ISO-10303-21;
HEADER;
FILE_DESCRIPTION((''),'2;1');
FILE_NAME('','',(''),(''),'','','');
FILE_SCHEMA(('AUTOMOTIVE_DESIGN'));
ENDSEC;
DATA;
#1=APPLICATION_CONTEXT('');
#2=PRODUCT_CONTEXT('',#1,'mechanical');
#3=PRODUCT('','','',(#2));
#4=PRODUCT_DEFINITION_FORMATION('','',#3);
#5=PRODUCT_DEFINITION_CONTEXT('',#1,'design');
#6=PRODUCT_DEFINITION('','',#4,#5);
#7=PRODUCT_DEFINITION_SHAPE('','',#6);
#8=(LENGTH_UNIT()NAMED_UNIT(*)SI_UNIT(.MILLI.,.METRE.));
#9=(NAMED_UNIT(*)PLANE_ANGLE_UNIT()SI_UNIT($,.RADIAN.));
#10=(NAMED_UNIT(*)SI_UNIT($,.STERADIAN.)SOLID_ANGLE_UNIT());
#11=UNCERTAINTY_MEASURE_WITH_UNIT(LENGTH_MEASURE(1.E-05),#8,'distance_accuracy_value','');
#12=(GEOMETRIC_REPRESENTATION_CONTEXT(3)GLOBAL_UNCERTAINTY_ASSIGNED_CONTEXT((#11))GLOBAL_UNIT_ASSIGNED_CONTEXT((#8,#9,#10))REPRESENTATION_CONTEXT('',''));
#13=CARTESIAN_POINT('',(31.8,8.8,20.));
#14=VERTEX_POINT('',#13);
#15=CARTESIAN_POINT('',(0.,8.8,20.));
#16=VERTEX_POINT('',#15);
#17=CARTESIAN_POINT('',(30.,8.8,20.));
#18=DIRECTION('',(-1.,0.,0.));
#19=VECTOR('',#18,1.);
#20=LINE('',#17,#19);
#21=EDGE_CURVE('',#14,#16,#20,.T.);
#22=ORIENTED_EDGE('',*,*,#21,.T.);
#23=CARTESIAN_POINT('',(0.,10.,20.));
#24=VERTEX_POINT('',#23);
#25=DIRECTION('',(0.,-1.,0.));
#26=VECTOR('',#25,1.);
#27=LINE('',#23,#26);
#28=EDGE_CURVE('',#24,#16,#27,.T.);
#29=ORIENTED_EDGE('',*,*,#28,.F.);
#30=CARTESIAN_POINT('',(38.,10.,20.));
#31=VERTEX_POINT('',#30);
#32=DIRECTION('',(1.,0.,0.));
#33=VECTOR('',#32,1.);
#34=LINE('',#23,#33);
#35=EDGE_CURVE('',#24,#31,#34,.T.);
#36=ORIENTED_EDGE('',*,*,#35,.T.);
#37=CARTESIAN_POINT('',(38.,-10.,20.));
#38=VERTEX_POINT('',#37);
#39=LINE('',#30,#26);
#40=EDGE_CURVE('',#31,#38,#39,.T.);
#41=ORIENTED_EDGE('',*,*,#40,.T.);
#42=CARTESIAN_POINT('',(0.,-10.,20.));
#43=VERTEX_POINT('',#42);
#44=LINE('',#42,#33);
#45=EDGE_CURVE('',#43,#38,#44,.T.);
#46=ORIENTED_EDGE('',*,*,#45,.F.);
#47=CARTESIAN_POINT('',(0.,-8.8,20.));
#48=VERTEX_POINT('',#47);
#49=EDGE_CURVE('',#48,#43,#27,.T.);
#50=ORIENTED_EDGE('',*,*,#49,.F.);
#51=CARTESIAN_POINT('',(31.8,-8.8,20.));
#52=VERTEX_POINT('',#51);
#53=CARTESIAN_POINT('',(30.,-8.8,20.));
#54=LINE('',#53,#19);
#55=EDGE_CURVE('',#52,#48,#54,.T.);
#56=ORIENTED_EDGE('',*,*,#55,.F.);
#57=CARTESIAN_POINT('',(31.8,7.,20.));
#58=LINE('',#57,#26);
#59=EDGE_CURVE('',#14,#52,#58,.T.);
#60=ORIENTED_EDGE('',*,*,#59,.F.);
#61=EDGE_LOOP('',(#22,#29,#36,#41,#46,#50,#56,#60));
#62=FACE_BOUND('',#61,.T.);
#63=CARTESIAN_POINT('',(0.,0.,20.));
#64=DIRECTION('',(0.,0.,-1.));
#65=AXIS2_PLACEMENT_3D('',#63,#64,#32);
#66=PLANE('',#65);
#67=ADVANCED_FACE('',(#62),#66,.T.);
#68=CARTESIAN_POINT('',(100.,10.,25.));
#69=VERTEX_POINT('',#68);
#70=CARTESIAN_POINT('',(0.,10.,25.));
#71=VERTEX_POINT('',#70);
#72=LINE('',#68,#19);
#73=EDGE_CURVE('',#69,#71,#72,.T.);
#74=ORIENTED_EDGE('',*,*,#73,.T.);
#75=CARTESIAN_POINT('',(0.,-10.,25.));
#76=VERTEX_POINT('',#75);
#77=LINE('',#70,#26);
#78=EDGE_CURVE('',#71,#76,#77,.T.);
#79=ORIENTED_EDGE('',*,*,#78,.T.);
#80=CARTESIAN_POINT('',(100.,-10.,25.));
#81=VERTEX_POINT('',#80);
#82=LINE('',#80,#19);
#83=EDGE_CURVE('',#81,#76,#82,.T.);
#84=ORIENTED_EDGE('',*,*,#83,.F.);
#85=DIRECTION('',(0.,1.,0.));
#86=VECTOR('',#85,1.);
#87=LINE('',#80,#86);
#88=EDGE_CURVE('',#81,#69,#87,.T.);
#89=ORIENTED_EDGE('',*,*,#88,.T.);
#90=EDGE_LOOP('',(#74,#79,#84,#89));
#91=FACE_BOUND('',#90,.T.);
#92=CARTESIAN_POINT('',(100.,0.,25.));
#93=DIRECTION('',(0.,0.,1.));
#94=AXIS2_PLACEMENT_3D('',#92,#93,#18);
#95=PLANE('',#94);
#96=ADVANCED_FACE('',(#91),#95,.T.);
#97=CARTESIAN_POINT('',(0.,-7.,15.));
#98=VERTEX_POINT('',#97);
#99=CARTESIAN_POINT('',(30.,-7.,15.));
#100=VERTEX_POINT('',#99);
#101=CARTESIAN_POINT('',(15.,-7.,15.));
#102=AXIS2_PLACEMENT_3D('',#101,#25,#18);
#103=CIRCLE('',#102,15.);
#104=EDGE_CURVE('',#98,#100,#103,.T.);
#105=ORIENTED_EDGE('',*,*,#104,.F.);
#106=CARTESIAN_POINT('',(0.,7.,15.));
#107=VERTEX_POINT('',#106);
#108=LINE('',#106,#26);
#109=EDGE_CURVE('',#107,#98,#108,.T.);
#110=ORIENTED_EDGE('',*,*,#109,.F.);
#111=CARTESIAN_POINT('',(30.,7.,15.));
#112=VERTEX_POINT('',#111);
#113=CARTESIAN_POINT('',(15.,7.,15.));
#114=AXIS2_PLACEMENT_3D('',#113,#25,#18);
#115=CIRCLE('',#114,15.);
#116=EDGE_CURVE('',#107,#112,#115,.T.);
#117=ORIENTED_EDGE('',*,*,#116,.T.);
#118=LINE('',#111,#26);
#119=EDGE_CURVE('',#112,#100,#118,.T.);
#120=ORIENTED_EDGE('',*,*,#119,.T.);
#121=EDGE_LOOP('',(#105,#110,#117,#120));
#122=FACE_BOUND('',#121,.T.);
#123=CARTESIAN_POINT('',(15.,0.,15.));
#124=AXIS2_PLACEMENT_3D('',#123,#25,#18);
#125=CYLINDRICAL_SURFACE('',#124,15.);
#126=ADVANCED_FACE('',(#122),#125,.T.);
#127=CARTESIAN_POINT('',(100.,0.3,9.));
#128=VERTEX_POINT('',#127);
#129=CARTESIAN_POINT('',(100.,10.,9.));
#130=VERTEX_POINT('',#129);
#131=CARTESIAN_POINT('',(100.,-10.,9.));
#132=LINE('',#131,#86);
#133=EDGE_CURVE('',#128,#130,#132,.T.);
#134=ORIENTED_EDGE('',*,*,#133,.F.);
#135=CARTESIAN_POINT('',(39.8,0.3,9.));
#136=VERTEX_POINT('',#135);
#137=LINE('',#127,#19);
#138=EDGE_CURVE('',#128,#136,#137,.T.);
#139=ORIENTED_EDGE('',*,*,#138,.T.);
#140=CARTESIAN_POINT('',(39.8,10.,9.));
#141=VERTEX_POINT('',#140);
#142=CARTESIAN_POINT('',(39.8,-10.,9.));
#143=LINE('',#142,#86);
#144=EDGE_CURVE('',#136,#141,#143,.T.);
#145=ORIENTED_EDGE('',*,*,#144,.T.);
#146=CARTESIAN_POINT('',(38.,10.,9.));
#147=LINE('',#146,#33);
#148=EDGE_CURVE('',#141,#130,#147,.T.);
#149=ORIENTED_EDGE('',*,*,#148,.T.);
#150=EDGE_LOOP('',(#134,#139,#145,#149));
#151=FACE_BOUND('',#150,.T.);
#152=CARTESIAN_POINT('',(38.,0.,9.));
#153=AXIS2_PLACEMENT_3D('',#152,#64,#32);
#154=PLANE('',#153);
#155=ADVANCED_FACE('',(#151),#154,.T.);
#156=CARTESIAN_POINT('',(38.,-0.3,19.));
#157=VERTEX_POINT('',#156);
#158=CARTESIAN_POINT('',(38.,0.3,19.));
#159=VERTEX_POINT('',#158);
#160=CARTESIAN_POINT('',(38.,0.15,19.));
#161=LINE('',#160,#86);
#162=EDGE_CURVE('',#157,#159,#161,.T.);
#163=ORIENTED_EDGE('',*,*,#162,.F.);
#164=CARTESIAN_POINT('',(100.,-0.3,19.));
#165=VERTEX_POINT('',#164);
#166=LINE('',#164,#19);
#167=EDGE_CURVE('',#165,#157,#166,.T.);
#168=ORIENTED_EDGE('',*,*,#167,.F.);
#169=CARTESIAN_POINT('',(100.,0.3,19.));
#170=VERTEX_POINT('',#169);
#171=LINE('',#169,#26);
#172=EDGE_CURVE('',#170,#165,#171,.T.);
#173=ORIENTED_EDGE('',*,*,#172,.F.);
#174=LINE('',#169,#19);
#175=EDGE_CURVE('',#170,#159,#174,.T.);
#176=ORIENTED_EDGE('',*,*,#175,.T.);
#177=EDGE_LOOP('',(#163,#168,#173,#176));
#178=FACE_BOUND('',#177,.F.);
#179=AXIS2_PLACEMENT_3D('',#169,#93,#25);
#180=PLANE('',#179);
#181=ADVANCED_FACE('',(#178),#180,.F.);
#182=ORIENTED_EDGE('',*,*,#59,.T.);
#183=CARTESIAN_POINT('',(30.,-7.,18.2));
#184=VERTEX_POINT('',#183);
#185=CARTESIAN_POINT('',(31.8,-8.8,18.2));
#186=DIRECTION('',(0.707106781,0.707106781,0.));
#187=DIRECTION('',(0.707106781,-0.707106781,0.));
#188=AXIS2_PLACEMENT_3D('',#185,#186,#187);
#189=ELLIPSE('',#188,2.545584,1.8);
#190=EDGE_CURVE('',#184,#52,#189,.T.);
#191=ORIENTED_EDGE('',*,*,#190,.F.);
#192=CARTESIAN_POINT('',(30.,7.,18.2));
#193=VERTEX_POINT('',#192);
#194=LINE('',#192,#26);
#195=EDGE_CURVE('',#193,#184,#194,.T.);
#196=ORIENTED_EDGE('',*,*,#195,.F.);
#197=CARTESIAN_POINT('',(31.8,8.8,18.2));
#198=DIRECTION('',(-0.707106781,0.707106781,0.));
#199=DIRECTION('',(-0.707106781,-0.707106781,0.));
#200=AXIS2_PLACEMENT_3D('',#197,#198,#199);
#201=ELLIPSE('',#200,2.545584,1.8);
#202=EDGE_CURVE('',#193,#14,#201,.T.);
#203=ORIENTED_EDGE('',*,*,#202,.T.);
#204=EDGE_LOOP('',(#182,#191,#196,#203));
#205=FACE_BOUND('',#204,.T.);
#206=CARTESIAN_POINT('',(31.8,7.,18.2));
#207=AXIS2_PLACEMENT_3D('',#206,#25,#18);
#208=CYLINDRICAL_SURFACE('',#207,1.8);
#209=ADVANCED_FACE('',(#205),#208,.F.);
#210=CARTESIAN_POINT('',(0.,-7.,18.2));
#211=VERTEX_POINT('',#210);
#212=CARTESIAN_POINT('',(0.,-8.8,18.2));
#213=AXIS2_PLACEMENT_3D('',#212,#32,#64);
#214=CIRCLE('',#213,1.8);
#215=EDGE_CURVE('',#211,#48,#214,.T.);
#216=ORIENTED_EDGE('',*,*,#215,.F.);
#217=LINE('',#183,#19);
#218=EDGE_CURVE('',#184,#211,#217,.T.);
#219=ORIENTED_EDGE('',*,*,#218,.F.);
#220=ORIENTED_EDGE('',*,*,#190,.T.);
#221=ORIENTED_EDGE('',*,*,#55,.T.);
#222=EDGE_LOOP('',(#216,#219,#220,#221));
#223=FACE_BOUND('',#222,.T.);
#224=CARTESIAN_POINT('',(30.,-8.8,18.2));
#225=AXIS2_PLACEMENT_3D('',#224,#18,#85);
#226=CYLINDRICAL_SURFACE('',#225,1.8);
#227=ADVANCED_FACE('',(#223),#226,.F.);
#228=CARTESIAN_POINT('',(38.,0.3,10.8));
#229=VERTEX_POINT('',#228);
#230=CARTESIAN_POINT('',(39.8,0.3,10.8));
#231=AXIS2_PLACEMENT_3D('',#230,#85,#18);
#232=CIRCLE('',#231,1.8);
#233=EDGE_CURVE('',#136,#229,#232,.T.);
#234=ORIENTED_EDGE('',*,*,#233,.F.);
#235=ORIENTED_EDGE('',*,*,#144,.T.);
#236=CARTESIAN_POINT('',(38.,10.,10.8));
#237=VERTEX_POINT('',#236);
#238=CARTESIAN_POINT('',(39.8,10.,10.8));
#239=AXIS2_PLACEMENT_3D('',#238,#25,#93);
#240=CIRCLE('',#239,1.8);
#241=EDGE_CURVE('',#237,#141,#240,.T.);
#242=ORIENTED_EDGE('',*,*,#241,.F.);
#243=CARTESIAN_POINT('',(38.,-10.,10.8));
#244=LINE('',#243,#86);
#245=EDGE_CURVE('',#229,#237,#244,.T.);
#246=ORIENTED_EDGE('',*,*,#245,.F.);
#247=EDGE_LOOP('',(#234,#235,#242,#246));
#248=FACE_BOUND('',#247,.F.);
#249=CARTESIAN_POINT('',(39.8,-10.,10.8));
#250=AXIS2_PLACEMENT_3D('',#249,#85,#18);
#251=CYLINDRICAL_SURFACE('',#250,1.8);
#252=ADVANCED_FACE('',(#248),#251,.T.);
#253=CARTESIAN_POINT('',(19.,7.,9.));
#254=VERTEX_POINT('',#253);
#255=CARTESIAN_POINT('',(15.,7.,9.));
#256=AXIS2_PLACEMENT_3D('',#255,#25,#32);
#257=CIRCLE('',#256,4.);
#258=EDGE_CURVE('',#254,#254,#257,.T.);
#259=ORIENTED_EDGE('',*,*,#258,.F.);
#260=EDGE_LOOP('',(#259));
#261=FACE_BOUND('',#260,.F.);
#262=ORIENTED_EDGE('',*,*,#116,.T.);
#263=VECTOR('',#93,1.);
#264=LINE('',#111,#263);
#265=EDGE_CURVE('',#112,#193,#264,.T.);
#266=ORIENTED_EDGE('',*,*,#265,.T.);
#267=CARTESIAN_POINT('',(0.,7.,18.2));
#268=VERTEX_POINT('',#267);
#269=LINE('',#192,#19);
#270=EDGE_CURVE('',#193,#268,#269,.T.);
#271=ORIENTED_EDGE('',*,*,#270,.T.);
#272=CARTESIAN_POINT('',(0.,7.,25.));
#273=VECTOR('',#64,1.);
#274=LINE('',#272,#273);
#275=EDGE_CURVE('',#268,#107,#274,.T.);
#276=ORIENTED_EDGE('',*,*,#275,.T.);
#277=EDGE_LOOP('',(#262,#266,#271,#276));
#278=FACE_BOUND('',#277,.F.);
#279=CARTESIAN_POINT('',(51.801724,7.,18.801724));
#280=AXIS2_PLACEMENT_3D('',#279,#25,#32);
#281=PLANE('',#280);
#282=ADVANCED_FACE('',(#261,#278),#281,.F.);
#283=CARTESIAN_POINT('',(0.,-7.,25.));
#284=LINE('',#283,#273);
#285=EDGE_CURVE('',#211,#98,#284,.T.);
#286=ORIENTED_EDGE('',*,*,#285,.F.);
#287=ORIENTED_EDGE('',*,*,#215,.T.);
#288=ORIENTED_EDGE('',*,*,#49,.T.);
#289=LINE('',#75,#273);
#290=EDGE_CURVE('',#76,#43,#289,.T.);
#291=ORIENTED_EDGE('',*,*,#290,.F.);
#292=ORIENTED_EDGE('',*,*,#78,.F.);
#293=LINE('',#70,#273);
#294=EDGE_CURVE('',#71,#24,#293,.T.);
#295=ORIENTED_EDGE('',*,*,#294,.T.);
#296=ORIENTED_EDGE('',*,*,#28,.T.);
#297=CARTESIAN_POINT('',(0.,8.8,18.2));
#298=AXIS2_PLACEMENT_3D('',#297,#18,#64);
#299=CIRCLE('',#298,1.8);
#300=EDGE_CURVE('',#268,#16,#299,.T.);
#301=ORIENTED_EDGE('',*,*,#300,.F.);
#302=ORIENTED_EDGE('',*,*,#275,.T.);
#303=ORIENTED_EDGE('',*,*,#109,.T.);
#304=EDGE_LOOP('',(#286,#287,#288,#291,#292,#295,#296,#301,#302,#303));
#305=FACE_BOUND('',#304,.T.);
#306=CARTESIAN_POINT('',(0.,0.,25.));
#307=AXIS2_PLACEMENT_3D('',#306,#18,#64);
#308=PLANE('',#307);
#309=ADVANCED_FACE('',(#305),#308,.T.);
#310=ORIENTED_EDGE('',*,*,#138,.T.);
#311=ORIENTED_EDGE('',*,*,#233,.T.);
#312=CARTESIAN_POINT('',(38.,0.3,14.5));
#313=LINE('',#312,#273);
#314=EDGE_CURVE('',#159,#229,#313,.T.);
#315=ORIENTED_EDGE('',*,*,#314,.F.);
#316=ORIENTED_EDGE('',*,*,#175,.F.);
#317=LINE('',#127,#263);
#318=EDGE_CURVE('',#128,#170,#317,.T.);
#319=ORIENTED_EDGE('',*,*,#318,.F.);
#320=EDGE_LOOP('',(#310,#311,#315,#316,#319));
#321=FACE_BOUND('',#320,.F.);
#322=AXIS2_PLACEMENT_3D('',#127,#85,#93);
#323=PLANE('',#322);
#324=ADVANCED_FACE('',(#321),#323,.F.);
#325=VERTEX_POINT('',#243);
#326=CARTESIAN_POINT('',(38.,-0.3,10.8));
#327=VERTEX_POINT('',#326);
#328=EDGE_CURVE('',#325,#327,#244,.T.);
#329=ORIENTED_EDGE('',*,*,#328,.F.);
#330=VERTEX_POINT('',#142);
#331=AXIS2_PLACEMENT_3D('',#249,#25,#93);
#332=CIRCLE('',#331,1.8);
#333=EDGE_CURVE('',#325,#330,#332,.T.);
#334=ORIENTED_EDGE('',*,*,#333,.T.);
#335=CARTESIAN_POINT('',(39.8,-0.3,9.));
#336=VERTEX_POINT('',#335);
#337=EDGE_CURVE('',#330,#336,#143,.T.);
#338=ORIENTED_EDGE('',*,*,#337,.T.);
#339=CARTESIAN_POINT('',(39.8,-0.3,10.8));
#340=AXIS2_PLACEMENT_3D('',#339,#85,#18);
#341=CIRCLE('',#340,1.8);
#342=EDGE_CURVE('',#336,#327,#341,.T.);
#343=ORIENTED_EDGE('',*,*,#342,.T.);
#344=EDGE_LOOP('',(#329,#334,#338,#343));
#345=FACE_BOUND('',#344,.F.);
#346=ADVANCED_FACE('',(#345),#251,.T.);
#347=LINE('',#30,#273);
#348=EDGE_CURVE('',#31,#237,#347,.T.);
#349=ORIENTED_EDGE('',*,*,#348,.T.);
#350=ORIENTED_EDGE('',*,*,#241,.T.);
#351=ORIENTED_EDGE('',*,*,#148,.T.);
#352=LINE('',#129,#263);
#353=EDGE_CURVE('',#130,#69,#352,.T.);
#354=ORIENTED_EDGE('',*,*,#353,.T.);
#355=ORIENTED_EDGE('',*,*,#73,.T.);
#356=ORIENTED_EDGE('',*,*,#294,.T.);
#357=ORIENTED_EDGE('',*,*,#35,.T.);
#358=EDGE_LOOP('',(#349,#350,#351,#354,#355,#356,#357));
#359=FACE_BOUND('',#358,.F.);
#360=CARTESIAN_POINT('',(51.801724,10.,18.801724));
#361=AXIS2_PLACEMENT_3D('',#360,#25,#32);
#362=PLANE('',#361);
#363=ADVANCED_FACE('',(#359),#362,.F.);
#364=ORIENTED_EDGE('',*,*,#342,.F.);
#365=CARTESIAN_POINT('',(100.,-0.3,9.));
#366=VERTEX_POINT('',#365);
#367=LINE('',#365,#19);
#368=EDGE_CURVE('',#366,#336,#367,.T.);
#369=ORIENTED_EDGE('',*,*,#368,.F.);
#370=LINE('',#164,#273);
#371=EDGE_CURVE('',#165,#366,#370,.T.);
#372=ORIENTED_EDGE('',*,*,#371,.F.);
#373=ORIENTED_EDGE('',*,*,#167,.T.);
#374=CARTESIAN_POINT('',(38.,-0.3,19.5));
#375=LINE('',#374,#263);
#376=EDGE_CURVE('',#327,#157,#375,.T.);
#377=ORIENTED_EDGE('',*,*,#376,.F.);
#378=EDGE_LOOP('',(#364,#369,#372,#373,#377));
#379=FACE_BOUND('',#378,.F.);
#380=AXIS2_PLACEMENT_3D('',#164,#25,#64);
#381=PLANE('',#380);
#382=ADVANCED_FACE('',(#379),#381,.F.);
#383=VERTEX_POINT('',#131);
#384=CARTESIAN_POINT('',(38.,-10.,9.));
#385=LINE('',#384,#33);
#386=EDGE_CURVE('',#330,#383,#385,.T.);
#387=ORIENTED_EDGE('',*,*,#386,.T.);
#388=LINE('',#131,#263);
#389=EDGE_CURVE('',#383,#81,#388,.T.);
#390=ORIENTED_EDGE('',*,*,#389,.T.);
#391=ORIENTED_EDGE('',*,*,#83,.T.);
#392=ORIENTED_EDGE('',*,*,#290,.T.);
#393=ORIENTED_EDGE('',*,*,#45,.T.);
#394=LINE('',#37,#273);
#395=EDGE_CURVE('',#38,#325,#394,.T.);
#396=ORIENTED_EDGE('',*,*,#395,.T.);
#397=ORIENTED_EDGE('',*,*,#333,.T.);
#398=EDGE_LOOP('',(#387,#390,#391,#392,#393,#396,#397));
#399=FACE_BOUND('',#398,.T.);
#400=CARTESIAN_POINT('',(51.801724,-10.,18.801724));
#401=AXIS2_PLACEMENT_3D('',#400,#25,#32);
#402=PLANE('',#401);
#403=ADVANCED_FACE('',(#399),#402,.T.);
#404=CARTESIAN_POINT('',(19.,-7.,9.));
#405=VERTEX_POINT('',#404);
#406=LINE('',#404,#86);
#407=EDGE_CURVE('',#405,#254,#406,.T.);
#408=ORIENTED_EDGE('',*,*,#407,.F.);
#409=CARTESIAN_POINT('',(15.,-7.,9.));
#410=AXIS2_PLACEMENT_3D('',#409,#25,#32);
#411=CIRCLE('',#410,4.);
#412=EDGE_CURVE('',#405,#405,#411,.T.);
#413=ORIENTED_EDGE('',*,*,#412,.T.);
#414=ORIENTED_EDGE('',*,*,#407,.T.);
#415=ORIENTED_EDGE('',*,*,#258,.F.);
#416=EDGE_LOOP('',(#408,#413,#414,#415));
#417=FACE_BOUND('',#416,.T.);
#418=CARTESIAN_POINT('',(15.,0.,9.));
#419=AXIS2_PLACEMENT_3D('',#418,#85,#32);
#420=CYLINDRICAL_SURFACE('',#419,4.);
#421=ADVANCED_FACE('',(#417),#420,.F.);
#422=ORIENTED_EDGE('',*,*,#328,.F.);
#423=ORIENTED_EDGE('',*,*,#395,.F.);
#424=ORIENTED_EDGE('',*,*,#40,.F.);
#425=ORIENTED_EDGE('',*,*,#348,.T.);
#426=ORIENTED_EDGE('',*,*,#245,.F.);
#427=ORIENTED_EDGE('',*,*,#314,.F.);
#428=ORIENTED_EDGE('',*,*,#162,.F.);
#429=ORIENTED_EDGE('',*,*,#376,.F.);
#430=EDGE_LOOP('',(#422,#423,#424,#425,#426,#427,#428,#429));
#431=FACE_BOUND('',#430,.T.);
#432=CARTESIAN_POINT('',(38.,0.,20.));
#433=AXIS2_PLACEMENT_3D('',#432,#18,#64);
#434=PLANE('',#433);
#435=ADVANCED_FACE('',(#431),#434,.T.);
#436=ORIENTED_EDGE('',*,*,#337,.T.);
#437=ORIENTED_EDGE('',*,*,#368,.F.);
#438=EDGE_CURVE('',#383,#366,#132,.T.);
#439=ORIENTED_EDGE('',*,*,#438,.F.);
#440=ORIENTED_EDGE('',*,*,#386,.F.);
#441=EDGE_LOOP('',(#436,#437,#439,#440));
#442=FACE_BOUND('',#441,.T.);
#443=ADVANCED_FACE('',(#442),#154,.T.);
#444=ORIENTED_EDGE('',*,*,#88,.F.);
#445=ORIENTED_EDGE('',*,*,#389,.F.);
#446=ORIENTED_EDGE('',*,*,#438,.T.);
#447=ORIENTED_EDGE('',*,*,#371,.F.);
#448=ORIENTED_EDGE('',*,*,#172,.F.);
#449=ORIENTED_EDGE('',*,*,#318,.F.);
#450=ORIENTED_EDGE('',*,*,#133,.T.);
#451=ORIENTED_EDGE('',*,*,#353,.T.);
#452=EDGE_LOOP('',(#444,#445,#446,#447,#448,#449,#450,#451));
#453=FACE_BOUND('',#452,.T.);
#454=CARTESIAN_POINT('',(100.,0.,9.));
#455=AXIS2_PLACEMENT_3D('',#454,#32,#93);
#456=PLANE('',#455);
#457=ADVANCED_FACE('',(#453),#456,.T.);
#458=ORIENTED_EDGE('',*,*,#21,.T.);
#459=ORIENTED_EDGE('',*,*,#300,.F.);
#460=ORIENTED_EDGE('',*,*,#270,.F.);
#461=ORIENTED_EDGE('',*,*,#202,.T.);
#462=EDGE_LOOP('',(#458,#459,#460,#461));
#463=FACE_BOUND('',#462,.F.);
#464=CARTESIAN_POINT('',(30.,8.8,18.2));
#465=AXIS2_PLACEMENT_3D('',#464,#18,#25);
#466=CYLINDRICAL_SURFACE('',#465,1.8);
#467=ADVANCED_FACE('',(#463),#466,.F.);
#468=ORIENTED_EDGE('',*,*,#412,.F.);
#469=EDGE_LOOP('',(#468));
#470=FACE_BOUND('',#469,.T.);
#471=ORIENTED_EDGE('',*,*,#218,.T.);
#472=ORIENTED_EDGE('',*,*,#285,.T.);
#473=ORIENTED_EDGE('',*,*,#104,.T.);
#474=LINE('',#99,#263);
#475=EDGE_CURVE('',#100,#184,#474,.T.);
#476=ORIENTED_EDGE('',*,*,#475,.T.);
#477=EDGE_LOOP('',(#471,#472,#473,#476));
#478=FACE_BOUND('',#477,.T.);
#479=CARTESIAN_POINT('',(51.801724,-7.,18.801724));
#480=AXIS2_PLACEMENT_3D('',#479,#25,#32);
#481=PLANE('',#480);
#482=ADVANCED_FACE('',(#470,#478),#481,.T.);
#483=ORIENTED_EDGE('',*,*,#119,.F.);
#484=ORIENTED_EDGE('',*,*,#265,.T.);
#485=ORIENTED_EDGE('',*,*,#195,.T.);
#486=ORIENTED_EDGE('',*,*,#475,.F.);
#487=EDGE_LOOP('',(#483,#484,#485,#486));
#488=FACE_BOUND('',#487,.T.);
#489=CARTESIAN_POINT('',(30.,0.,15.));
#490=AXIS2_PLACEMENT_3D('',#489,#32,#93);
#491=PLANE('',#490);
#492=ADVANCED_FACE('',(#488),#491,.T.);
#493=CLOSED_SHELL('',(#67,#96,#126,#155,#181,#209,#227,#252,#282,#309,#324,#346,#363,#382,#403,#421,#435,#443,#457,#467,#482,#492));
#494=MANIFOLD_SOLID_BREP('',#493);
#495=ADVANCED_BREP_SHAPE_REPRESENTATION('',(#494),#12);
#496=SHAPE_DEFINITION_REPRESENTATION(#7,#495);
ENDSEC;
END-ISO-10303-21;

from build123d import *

# Parameters (mm, degrees)
F1_DEPTH = 10
F0_R     = 4
F2_DEPTH = 7
F3_R     = 1.8
F6_DEPTH = 65


with BuildPart() as f1:
    # F0 (on Front) → F1 (new body, symmetric)
    with BuildSketch(Plane.XZ):
        Polygon((100, 25), (0, 25), (0, 20), (30, 20), (38, 20), (38, 9), (100, 9), align=None)
    extrude(amount=F1_DEPTH, both=True)

    # F0 (on Front) → F2 (join, symmetric)
    with BuildSketch(Plane.XZ):
        Polygon((100, 25), (0, 25), (0, 20), (30, 20), (38, 20), (38, 9), (100, 9), align=None)
        with BuildLine():
            Line((30, 20), (0, 20))
            Line((0, 20), (0, 15))
            ThreePointArc((0, 15), (15, 0), (30, 15))
            Line((30, 15), (30, 20))
        make_face()
        with Locations((15, 9)):
            Circle(F0_R, mode=Mode.SUBTRACT)
    extrude(amount=F2_DEPTH, both=True)

    # F3
    f3_edges = [f1.edges().sort_by_distance(p)[0] for p in [
        (30, 0, 20),
        (15, -7, 20),
        (15, 7, 20),
        (38, 0, 9),
    ]]
    fillet(f3_edges, radius=F3_R)

    # F5 (on offset) → F6 (cut)
    with BuildSketch(Plane.YZ.offset(100)):
        Polygon((-0.3, 9), (0, 9), (0.3, 9), (0.3, 19), (-0.3, 19), align=None)
    extrude(amount=-F6_DEPTH, mode=Mode.SUBTRACT)


solid = f1.part
